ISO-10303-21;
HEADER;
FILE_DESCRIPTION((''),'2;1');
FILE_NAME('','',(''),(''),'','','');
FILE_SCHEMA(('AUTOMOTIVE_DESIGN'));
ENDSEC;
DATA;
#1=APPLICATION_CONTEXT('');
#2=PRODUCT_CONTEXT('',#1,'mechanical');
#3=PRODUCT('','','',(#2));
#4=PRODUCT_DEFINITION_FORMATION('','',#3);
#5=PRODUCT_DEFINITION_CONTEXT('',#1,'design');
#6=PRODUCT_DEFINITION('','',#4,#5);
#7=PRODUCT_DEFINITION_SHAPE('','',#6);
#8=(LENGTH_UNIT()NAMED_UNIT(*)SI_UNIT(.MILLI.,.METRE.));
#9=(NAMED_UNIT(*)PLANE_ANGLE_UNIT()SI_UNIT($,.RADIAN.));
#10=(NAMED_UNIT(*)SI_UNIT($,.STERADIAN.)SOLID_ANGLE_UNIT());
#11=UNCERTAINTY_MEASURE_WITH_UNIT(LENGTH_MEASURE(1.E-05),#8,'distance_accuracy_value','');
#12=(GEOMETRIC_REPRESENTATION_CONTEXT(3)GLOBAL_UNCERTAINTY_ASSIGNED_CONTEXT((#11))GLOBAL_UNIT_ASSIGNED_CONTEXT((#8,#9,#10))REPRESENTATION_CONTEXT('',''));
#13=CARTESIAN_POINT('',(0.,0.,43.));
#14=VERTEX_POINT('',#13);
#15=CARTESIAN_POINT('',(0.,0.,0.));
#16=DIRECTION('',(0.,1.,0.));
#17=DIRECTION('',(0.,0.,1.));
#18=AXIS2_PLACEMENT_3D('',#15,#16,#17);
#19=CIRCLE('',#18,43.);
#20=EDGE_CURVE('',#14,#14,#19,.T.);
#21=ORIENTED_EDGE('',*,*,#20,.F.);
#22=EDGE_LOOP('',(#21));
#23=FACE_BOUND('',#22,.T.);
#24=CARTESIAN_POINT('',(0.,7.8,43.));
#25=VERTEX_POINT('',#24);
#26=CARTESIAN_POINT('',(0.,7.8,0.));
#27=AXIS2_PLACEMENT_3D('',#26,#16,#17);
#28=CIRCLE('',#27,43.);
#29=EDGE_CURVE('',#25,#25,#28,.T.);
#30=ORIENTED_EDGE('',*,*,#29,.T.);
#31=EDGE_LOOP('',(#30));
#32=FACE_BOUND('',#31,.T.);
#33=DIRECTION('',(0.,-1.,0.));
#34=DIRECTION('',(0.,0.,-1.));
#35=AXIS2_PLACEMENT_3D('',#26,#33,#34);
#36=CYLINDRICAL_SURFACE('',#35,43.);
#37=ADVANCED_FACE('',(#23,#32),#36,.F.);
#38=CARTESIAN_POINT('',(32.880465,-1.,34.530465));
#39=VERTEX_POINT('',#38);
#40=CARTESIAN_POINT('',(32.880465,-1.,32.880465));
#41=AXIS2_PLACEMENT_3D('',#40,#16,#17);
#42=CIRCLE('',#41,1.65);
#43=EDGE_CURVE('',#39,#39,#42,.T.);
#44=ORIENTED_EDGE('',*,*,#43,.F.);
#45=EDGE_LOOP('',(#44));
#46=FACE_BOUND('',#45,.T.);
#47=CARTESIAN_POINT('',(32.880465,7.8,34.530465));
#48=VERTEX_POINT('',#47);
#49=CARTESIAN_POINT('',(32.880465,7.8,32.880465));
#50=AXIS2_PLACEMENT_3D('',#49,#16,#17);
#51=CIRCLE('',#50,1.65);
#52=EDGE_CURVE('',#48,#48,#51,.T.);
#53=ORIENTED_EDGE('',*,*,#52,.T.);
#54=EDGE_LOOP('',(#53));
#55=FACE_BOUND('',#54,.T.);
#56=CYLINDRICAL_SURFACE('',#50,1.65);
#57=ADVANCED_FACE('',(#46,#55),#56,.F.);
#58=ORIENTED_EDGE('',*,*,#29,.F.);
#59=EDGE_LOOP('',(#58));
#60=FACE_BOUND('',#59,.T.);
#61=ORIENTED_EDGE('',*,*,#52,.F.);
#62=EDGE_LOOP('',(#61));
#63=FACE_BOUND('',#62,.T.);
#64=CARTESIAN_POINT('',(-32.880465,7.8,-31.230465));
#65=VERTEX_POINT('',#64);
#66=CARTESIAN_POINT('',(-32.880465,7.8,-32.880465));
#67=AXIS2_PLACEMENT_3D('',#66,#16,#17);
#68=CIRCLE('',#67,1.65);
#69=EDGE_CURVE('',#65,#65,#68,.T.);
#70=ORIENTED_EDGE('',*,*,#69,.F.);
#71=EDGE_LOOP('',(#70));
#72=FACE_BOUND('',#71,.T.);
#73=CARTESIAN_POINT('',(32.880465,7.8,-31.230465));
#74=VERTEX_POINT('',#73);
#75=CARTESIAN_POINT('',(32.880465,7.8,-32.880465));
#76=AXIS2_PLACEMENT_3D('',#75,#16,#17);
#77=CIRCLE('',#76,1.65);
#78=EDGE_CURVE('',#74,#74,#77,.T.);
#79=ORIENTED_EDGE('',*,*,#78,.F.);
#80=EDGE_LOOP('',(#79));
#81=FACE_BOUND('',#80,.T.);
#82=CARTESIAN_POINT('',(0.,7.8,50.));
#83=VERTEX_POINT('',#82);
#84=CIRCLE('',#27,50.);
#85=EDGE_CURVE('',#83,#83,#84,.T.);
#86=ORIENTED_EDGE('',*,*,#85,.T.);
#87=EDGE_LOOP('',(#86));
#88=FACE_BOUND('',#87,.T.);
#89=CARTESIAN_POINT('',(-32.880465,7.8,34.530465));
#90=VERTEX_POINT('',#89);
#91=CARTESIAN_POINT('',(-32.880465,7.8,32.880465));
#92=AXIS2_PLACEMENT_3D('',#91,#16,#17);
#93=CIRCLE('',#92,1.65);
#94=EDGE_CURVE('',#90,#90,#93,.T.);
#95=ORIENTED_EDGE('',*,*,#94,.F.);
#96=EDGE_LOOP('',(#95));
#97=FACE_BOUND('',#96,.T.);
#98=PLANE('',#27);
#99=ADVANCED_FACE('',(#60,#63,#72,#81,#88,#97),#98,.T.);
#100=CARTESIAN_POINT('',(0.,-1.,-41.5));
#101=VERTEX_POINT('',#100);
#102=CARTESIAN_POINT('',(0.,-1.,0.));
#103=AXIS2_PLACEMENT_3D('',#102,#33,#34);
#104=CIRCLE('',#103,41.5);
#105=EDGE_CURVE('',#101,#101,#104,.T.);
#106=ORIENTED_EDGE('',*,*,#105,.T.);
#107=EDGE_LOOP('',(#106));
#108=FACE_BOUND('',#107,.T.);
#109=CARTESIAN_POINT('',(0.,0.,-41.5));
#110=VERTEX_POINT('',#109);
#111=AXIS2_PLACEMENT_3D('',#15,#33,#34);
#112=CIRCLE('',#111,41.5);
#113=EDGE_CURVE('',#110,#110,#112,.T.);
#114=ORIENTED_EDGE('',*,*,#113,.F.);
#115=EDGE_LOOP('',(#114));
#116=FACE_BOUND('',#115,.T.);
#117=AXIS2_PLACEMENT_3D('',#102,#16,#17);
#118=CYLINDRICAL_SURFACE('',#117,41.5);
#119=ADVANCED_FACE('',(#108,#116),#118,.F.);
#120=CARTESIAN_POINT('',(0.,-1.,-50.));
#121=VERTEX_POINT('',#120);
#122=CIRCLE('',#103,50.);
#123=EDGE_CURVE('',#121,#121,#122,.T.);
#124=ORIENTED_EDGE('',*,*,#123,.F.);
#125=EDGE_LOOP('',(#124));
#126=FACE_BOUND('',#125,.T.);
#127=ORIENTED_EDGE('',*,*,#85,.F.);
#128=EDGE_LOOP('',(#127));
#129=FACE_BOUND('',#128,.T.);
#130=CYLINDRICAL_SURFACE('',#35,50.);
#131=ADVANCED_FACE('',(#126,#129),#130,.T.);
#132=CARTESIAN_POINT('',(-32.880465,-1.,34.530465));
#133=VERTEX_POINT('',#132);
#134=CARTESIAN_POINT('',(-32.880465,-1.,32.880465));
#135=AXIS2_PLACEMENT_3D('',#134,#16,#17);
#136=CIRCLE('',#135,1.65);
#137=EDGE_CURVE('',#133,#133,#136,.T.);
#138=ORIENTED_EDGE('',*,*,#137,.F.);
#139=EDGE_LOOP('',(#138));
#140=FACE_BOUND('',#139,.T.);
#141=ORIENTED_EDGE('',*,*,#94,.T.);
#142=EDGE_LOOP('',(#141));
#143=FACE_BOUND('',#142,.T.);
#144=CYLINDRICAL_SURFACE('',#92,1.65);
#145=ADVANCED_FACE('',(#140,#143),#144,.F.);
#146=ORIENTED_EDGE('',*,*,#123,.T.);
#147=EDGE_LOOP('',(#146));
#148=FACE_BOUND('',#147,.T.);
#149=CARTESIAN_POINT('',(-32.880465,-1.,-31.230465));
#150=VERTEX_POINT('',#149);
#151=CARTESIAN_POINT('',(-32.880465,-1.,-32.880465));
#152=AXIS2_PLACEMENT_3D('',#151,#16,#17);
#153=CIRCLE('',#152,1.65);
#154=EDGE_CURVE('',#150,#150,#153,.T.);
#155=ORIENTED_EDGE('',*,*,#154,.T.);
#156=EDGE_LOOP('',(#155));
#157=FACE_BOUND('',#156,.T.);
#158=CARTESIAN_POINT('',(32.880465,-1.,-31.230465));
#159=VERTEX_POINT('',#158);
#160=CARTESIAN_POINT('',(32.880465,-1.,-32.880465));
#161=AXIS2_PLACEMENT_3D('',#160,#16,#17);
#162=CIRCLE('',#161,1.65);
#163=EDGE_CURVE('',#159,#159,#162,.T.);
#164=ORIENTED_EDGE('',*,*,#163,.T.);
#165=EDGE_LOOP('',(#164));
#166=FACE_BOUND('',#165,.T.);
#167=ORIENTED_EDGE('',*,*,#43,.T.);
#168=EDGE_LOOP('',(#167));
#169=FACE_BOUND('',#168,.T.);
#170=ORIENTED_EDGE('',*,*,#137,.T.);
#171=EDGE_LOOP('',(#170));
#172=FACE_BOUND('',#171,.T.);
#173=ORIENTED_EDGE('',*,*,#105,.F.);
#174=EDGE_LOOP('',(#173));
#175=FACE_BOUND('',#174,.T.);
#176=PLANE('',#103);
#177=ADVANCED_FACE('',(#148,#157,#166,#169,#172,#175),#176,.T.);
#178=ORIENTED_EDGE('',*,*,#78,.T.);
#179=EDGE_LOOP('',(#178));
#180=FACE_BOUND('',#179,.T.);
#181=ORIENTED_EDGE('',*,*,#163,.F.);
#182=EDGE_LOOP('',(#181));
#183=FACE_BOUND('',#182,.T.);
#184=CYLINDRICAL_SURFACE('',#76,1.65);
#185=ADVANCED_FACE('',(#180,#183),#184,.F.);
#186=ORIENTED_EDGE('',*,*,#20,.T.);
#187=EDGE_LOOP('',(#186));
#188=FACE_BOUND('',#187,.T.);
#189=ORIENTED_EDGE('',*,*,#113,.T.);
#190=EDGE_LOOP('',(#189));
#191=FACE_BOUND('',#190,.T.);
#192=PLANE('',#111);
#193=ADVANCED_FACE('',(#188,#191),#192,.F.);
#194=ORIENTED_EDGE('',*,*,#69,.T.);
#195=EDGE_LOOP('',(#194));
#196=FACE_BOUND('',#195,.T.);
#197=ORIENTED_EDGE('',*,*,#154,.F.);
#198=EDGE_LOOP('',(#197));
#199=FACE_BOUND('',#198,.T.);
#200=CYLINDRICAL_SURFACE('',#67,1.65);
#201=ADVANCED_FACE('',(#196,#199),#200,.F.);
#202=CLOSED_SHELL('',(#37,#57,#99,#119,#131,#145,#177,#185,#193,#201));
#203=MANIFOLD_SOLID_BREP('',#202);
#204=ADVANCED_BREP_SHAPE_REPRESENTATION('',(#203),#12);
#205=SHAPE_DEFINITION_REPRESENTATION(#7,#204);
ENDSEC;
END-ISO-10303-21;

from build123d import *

# Parameters (mm, degrees)
SKETCH_2_R         = 50
SKETCH_2_R_2       = 43
EXTRUDE_1_DEPTH    = 7.8
SKETCH_3_R         = 50
SKETCH_3_R_2       = 41.5
EXTRUDE_2_DEPTH    = 1
HOLE_WIZARD_M4_1_D = 3.3


with BuildPart() as part:
    # 草图2 → 凸台-拉伸1 (new body)
    with BuildSketch(Plane(origin=(0, 0, 0), x_dir=(1, 0, 0), z_dir=(0, 1, 0))):
        Circle(SKETCH_2_R)
        Circle(SKETCH_2_R_2, mode=Mode.SUBTRACT)
    extrude(amount=EXTRUDE_1_DEPTH)

    # 草图3 → 凸台-拉伸2 (add)
    with BuildSketch(Plane.XZ):
        Circle(SKETCH_3_R)
        Circle(SKETCH_3_R_2, mode=Mode.SUBTRACT)
    extrude(amount=EXTRUDE_2_DEPTH)

    # M4 螺纹孔1 (through all)
    with Locations(Plane(origin=(0, 7.8, 0), x_dir=(1, 0, 0), z_dir=(0, 1, 0))):
        with Locations((-32.880465325, 32.880465325), (-32.880465325, -32.880465325), (32.880465325, -32.880465325), (32.880465325, 32.880465325)):
            Hole(HOLE_WIZARD_M4_1_D / 2)


solid = part.part
